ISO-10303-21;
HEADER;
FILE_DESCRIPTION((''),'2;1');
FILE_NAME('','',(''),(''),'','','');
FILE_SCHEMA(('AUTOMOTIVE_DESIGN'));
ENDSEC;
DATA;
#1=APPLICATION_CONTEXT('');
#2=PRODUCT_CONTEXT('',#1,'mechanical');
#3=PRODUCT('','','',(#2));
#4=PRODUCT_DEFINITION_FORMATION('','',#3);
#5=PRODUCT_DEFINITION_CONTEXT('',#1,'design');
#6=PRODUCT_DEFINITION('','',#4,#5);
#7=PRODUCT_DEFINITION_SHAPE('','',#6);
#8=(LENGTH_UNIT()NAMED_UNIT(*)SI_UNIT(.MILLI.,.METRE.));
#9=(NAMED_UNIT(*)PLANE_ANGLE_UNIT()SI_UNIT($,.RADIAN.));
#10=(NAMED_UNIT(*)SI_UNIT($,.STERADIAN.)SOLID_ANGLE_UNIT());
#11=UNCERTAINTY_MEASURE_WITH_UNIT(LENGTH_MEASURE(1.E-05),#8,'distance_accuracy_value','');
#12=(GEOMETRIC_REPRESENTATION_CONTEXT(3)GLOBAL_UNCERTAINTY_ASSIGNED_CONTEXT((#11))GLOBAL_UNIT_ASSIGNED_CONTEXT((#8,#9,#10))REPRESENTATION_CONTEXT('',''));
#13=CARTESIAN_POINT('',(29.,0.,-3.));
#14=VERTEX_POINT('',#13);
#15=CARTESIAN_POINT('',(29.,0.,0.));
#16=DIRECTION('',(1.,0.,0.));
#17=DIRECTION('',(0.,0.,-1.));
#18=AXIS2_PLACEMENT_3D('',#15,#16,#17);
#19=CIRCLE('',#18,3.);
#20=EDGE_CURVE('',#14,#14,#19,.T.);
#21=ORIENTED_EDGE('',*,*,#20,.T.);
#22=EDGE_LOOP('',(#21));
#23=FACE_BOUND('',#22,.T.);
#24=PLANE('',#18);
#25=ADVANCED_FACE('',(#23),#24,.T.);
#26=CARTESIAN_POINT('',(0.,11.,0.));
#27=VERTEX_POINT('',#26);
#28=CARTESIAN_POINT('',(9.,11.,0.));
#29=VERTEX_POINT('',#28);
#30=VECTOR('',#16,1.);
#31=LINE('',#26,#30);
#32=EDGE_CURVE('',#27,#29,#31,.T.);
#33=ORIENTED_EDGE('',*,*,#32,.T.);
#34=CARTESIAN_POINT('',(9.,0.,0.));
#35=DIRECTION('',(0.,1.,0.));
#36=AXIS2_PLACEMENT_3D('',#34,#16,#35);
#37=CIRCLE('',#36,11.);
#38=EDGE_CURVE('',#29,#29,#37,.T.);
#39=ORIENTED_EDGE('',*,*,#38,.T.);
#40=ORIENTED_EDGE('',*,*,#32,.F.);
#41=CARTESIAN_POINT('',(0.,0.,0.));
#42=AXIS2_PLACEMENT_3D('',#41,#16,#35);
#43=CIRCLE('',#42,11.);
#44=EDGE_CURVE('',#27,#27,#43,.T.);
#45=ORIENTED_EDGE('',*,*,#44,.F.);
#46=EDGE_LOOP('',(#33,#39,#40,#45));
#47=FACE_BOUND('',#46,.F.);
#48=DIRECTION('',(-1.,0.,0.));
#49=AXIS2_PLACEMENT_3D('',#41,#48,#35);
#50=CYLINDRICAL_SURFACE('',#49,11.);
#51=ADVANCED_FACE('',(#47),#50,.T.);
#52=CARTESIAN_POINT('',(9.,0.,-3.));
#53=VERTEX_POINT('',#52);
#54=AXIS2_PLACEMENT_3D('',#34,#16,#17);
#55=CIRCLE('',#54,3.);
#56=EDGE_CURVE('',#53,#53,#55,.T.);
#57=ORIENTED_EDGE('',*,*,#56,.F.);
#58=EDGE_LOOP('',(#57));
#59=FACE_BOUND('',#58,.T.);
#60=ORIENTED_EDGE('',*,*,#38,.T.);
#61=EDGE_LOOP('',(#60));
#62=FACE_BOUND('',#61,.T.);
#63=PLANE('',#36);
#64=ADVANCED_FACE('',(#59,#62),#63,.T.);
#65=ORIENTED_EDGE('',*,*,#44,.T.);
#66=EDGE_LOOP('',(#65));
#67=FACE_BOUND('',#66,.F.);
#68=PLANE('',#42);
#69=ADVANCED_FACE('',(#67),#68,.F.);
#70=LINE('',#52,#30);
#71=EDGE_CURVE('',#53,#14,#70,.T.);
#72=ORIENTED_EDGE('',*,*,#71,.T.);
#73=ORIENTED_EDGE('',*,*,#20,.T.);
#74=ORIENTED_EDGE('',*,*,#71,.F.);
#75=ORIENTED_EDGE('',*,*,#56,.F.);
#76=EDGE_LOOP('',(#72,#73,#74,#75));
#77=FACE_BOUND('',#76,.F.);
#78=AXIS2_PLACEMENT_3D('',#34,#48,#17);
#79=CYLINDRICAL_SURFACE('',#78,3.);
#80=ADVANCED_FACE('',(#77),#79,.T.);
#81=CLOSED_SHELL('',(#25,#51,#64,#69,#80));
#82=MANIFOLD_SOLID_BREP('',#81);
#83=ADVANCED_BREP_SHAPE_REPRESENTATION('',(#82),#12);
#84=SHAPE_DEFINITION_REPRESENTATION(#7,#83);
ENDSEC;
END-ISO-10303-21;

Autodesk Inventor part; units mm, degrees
ref_plane "YZ Plane" through (0, 0, 0) normal (1, 0, 0) x (0, 1, 0)
ref_plane "XZ Plane" through (0, 0, 0) normal (0, 1, 0) x (-1, 0, 0)
ref_plane "XY Plane" through (0, 0, 0) normal (0, 0, 1) x (1, 0, 0)
sketch "Sketch1" plane through (0, 0, 0) normal (1, 0, 0) x (0, 1, 0)
  circle A0 centre (0, 0) radius 11
  dimension "d0" = 22
extrude "Extrusion1" add sketch "Sketch1" along normal blind 9
sketch "Sketch2" plane through (9, 0, 0) normal (1, 0, 0) x (0, 0, -1)
  circle A0 centre (0, 0) radius 11 projected
  circle A1 centre (0, 0) radius 3
  dimension "d3" = 6
extrude "Extrusion2" add sketch "Sketch2" along normal blind 20 contours A1
properties part number "MotorAdaptor"
